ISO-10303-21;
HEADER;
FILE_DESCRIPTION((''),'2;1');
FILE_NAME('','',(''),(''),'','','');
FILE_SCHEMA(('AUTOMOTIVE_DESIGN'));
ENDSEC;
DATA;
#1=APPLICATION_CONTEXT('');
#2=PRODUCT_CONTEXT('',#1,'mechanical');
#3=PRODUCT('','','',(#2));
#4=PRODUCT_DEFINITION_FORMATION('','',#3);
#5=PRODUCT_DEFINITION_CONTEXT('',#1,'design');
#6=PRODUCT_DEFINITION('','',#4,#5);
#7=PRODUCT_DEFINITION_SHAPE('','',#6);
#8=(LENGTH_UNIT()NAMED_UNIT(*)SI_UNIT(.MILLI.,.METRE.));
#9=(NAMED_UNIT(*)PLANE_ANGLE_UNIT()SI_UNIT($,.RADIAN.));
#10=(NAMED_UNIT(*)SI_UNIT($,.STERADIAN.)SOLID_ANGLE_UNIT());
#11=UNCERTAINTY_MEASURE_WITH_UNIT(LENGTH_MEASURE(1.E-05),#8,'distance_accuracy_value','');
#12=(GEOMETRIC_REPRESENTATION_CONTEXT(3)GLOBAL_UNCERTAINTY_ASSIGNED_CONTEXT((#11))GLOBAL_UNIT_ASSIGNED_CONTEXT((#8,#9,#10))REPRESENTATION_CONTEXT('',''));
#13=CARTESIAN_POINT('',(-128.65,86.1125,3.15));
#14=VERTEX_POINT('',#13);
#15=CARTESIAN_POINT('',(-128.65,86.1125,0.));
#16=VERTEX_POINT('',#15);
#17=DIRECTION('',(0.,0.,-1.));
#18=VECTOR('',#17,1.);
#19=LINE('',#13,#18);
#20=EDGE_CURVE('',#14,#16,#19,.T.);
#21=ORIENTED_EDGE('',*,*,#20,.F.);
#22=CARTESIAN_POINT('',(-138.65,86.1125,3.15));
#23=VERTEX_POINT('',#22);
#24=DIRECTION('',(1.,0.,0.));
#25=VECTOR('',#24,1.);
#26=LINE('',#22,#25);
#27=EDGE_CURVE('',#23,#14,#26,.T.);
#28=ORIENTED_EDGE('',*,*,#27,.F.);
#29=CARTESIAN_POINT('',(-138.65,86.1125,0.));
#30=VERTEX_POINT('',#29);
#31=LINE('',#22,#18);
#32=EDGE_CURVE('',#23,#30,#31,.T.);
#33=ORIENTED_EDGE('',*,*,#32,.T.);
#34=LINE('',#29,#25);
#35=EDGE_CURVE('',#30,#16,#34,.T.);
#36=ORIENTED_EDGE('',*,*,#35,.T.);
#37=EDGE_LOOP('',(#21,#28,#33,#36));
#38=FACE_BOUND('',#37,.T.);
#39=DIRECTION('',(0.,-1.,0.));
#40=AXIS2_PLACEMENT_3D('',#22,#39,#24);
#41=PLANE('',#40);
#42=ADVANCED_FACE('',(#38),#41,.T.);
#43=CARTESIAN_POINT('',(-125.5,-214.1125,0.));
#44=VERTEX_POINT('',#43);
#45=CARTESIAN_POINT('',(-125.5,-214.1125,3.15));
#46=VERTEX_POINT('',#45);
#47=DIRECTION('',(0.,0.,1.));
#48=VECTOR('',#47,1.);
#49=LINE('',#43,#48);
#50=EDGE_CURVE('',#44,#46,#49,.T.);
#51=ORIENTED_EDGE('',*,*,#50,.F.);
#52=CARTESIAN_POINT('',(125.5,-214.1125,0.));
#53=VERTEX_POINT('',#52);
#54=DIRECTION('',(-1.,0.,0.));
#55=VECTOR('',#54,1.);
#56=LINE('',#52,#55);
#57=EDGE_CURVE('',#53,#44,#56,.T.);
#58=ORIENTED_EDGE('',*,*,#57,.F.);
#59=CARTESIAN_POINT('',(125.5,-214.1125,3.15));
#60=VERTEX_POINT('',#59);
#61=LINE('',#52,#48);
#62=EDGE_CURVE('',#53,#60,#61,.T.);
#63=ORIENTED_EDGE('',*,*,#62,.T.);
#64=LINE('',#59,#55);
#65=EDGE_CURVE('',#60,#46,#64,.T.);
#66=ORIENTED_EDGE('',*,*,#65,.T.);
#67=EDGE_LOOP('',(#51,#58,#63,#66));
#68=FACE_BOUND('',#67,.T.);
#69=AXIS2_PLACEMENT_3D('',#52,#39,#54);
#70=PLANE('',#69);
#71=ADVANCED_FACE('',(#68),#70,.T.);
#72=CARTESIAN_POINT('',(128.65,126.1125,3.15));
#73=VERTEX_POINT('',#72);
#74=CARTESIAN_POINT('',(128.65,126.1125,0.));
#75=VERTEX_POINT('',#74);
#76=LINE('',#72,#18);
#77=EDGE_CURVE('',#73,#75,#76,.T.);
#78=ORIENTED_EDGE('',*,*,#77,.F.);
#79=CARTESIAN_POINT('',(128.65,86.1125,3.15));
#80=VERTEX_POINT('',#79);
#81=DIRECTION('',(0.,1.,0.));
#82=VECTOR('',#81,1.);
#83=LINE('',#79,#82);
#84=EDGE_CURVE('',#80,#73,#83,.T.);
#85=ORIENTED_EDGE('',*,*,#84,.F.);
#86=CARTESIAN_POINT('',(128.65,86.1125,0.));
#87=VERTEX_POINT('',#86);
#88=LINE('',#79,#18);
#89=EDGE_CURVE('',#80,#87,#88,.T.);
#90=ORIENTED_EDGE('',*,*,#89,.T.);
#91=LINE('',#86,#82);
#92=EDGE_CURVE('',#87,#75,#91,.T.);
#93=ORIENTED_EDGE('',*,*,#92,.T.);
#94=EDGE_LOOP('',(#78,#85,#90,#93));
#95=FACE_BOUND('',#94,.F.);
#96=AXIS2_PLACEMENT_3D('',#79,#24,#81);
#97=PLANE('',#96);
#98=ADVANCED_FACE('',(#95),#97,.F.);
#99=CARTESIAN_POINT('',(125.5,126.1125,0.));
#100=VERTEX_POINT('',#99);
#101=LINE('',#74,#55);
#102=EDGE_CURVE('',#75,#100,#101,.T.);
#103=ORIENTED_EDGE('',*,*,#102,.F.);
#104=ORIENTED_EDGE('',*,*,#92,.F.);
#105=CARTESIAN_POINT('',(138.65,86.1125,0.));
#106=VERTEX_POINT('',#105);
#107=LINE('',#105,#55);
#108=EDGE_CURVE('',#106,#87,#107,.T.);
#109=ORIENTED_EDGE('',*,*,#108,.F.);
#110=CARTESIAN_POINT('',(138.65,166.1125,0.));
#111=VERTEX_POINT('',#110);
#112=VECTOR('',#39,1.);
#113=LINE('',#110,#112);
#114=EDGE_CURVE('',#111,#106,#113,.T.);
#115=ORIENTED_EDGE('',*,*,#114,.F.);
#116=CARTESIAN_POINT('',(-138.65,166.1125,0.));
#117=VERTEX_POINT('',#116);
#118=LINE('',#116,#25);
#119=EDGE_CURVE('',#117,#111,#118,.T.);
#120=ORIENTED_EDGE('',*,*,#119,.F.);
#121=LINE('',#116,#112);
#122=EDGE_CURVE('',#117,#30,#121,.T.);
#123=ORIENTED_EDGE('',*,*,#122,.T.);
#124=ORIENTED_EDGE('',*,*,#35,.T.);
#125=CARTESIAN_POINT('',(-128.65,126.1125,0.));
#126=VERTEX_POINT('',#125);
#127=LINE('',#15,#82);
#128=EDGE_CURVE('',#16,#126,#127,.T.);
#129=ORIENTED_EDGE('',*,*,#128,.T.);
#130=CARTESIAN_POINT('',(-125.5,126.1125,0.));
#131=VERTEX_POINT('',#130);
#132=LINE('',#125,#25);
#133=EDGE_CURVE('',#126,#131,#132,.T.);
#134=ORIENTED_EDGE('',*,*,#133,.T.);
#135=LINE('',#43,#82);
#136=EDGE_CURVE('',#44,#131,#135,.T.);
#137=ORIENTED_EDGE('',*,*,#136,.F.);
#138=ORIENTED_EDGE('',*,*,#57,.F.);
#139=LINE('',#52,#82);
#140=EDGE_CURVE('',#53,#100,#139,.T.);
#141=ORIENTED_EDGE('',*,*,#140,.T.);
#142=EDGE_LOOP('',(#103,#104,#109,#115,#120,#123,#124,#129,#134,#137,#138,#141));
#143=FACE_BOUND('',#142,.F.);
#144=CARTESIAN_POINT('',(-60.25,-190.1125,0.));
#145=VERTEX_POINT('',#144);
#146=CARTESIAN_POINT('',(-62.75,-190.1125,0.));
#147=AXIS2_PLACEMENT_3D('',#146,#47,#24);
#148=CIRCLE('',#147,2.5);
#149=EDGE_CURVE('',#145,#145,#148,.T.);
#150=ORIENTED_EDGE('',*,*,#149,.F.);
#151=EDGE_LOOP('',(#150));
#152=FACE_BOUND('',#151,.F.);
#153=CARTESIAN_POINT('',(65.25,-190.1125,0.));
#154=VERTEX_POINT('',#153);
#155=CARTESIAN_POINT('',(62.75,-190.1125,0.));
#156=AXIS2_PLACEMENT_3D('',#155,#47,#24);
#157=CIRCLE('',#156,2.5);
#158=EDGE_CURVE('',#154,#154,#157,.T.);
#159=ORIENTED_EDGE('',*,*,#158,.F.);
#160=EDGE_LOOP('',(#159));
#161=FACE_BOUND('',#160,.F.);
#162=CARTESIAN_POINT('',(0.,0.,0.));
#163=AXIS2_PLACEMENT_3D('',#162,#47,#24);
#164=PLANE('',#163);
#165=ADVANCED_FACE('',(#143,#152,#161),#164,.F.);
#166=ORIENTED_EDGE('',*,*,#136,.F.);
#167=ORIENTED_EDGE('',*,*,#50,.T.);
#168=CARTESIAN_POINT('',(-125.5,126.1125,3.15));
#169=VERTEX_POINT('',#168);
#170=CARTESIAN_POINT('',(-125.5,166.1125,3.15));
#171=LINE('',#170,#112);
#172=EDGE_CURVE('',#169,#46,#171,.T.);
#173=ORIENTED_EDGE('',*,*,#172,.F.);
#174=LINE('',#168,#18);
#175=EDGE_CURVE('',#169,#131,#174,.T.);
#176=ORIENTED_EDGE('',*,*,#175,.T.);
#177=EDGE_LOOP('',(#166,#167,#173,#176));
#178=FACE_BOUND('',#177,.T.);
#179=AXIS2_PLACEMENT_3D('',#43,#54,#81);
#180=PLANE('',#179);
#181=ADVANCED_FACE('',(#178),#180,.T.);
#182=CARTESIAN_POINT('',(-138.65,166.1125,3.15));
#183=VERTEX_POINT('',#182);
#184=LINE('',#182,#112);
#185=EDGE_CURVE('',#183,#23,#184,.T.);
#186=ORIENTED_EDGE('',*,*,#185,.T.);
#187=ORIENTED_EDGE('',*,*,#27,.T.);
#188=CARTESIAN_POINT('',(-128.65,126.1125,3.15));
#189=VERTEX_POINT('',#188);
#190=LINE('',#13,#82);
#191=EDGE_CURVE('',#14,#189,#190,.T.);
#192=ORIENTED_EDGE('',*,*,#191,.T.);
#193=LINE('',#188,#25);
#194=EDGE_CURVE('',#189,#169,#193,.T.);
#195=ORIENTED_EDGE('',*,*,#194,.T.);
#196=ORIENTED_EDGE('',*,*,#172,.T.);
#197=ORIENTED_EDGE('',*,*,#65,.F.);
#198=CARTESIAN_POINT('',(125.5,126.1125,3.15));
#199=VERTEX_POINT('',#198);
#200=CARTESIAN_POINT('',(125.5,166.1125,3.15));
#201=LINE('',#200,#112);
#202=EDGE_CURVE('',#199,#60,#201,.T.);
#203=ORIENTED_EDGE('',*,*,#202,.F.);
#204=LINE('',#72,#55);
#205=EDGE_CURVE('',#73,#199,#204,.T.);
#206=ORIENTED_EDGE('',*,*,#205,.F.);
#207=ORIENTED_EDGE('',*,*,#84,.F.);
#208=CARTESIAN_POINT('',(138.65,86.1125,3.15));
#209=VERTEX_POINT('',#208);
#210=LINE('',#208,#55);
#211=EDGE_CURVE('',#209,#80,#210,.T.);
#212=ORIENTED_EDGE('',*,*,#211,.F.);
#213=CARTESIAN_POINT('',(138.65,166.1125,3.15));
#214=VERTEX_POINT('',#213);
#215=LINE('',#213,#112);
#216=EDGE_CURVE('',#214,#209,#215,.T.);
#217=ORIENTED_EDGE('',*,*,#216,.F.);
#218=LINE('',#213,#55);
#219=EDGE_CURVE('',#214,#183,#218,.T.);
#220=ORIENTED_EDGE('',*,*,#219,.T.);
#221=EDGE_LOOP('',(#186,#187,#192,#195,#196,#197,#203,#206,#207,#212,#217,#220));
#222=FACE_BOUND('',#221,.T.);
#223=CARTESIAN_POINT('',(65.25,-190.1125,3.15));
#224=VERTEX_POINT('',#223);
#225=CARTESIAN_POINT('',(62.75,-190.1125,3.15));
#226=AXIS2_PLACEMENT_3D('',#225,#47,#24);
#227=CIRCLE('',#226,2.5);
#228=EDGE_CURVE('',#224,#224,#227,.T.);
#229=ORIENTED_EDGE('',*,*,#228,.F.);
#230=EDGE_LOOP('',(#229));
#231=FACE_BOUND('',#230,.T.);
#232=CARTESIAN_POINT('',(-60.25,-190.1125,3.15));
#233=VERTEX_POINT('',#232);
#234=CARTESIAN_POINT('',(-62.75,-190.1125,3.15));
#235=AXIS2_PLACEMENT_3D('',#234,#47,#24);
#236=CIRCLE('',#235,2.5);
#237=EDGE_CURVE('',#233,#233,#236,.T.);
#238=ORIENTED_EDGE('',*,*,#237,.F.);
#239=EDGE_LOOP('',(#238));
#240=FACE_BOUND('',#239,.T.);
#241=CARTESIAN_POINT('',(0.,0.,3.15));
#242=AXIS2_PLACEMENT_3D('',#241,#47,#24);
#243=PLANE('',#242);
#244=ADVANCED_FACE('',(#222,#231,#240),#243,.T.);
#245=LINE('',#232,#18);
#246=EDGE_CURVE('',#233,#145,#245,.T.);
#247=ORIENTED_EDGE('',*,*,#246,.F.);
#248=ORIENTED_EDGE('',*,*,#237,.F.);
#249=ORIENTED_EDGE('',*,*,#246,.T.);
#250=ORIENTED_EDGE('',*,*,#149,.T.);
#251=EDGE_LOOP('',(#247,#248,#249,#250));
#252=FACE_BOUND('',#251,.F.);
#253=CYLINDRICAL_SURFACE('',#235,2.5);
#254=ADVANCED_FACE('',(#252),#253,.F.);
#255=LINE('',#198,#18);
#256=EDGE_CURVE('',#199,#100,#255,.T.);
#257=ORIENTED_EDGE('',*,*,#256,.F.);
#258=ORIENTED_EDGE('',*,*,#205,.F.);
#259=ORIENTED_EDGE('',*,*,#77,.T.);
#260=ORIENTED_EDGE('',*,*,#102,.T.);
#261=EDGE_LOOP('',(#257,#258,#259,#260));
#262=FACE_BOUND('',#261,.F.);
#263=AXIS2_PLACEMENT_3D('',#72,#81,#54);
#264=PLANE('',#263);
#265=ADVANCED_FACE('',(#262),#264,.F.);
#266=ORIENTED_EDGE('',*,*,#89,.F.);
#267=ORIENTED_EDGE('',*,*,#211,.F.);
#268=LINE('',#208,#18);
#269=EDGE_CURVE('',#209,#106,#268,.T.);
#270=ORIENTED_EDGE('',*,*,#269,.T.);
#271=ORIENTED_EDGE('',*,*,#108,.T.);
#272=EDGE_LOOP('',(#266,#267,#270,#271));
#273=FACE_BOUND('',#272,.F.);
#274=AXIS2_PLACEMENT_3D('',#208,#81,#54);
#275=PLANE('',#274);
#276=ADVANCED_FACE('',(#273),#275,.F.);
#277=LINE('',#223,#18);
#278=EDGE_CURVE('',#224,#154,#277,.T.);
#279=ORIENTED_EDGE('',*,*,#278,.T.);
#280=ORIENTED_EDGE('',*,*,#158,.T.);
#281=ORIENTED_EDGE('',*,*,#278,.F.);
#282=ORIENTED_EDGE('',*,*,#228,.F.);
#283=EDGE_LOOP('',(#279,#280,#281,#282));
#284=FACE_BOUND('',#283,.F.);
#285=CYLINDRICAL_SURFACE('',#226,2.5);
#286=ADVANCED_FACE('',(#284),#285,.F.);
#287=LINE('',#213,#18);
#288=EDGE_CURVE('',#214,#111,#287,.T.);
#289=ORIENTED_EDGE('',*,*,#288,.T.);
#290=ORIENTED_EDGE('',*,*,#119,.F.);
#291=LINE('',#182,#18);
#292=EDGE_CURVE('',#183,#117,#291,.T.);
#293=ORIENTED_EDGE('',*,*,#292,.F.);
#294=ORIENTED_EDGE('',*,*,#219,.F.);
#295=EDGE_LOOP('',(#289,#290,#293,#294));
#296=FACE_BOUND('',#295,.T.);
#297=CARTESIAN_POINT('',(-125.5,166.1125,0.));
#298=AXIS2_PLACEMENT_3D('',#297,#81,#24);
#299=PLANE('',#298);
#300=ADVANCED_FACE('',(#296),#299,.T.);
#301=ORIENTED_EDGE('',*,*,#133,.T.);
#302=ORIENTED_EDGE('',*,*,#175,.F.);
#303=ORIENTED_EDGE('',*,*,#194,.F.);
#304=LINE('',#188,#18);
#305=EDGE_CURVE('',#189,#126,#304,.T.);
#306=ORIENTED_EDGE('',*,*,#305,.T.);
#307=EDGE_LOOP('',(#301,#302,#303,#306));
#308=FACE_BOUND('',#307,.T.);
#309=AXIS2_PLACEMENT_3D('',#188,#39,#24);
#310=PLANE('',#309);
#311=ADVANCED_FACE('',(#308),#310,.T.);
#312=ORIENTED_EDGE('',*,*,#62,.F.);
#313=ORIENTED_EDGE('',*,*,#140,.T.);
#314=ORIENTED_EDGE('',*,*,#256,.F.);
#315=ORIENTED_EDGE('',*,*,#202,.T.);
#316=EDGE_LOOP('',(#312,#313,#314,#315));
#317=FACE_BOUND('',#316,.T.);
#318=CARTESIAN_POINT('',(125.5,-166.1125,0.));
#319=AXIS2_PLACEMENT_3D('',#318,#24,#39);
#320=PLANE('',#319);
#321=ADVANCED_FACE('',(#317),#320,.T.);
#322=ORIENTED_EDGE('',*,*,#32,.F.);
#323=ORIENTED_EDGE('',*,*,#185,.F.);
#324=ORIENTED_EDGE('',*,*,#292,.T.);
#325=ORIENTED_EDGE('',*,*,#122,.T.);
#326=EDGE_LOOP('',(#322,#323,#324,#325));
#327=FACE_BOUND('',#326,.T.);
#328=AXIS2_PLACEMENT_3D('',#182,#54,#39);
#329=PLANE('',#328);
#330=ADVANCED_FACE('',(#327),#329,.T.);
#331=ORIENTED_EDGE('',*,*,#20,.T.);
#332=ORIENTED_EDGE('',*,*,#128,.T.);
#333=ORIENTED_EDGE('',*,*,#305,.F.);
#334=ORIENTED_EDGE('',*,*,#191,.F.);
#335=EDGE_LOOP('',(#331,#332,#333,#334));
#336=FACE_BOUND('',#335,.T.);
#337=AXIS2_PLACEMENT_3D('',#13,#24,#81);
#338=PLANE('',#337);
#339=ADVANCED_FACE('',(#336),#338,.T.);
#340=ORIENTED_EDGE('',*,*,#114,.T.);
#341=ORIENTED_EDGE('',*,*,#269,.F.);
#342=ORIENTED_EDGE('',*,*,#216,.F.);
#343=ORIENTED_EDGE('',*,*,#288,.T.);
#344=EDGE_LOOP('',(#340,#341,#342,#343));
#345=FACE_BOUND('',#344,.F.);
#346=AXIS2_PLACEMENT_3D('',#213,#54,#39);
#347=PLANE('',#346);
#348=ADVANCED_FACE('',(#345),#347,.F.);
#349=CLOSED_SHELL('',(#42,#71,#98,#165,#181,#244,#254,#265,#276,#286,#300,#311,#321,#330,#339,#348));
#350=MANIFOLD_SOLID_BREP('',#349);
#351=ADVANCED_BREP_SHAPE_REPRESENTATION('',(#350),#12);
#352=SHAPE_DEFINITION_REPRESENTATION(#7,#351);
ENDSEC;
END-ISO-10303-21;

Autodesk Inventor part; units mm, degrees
ref_plane "YZ Plane" through (0, 0, 0) normal (1, 0, 0) x (0, 1, 0)
ref_plane "XZ Plane" through (0, 0, 0) normal (0, 1, 0) x (-1, 0, 0)
ref_plane "XY Plane" through (0, 0, 0) normal (0, 0, 1) x (1, 0, 0)
sketch "Sketch1" plane through (0, 0, 0) normal (0, 0, 1) x (1, 0, 0)
  line L0 (125.5, -166.1125) -> (-125.5, -166.1125)
  line L1 (-125.5, -166.1125) -> (-125.5, 166.1125)
  line L2 (-125.5, 166.1125) -> (125.5, 166.1125)
  line L3 (125.5, 166.1125) -> (125.5, -166.1125)
  line L4 (125.5, -166.1125) -> (-125.5, 166.1125) construction
  line L5 (-125.5, -166.1125) -> (125.5, 166.1125) construction
  line L6 (-125.5, -166.1125) -> (125.5, -166.1125)
  line L7 (125.5, -166.1125) -> (125.5, -214.1125)
  line L8 (125.5, -214.1125) -> (-125.5, -214.1125)
  line L9 (-125.5, -214.1125) -> (-125.5, -166.1125)
  point P0 (0, 0)
  dimension "d0" = 251
  dimension "d1" = 332.225
  dimension "d4" = 48
  dimension "d5" = 0
  dimension "d6" = 0
extrude "Extrusion1" add sketch "Sketch1" along normal blind 3.15
sketch "Sketch2" plane through (0, 0, 3.15) normal (0, 0, 1) x (1, 0, 0)
  line L0 (125.5, 166.1125) -> (-125.5, 166.1125) projected
  line L1 (-125.5, 166.1125) -> (-138.65, 166.1125)
  line L2 (-138.65, 166.1125) -> (-138.65, 86.1125)
  line L3 (-138.65, 86.1125) -> (-125.5, 86.1125)
  line L4 (-125.5, 86.1125) -> (-125.5, 166.1125)
  line L5 (-125.5, 86.1125) -> (-128.65, 86.1125)
  line L6 (-128.65, 86.1125) -> (-128.65, 126.1125)
  line L7 (-128.65, 126.1125) -> (-125.5, 126.1125)
  line L8 (-125.5, 126.1125) -> (-125.5, 86.1125)
  line L9 (0, 166.1125) -> (0, 0)
  line L10 (125.5, 166.1125) -> (138.65, 166.1125)
  line L11 (138.65, 166.1125) -> (138.65, 86.1125)
  line L12 (138.65, 86.1125) -> (125.5, 86.1125)
  line L13 (125.5, 86.1125) -> (125.5, 166.1125)
  line L14 (125.5, 86.1125) -> (128.65, 86.1125)
  line L15 (128.65, 86.1125) -> (128.65, 126.1125)
  line L16 (128.65, 126.1125) -> (125.5, 126.1125)
  line L17 (125.5, 126.1125) -> (125.5, 86.1125)
  dimension "d7" = 80
  dimension "d8" = 13.15
  dimension "d9" = 3.15
  dimension "d10" = 40
extrude "Extrusion2" add sketch "Sketch2" against normal blind 3.15 contours L4 L7 L6 L3 L2 L1 | L10 L11 L12 L15 L16 L13
sketch "Sketch3" plane through (0, 0, 3.15) normal (0, 0, 1) x (1, 0, 0)
  line L0 (-125.5, -214.1125) -> (125.5, -214.1125) projected
  circle A0 centre (-62.75, -190.1125) radius 2.5
  line L1 (0, 0) -> (0, -214.1125)
  circle A1 centre (62.75, -190.1125) radius 2.5
  dimension "d13" = 5
  dimension "d14" = 24
  dimension "d15" = 62.75
extrude "Extrusion3" cut sketch "Sketch3" against normal blind 10
equation "\"d0\" = door_x"
equation "\"d1\" = door_z"
equation "\"d4\" = door_overlap"
equation "\"d2\" = clear_acrylic"
equation "\"d7\" = protection_slot_length"
equation "\"d8\" = protection_slot_width + clear_acrylic"
equation "\"d9\" = clear_acrylic"
equation "\"d10\" = 0.5 * protection_slot_length"
equation "\"d11\" = clear_acrylic"
equation "\"d13\" = m5_diameter"
equation "\"d14\" = 0.5 * door_overlap"
equation "\"d15\" = 0.25 * tray_x"
equation "\"sm_thickness\" = 1.5875"
equation "\"very_thick_acrylic\" = 9.45"
equation "\"thick_acrylic\" = 5.88"
equation "\"thin_acrylic\" = 3.15"
equation "\"clear_acrylic\" = 3.15"
equation "\"wood_thickness\" = 6.72"
equation "\"m3_diameter\" = 3"
equation "\"m4_diameter\" = 4"
equation "\"m5_diameter\" = 5"
equation "\"brass_insert_drill\" = 4"
equation "\"m5_brass_insert_drill\" = 6.7"
equation "\"m3_main_length\" = 14"
equation "\"m3_main_nut_width\" = 5.7"
equation "\"m3_main_nut_thickness\" = 2.5"
equation "\"m3_main_extra\" = 1"
equation "\"stepper_screw_space\" = 35"
equation "\"stepper_shaft_diameter\" = 5"
equation "\"stepper_body_diameter\" = 28"
equation "\"laser_body_diameter\" = 12"
equation "\"carrier_y\" = 251"
equation "\"carrier_z\" = 12"
equation "\"visor_x\" = 253.925"
equation "\"visor_y\" = 85.6"
equation "\"protection_slot\" = 44.2"
equation "\"protection_slot_offset\" = 55.25"
equation "\"protection_slot_length\" = 80"
equation "\"window_z\" = 332.225"
equation "\"window_y\" = 93.75"
equation "\"window_overlap\" = 48"
equation "\"door_x\" = 251"
equation "\"door_z\" = 332.225"
equation "\"door_sensor\" = 35"
equation "\"reservoir_x\" = 201"
equation "\"reservoir_y\" = 201"
equation "\"linear_bearing_spacing\" = 271"
equation "\"motor_spacing\" = 337"
equation "\"tray_border\" = 25"
equation "\"tray_x\" = 251"
equation "\"tray_y\" = 251"
equation "\"bed_z\" = 25"
equation "\"crane_z2\" = 12"
equation "\"end_stop_spacing\" = 19"
equation "\"door_overlap\" = 48"
equation "\"acrylic_into_frame\" = 5"
equation "\"protection_slot_width\" = 10"
equation "\"frame_top_z\" = 385"
equation "\"nema17_x\" = 43"
equation "\"drawer_z_from_bottom\" = 25"
equation "\"laser_diameter\" = 12"
equation "\"t_galvo_frame\" = 6.72"
equation "\"laser_z\" = 75"
equation "\"drawer_y\" = 90.3375"
equation "\"laser_y\" = 15"
equation "\"subframe_x\" = 66"
equation "\"galvo_frame_z\" = 85"
equation "\"subframe_y_offset\" = 27.5"
equation "\"drawer_x\" = 257.3"
equation "\"printer_z\" = 289"
equation "\"lcd_x\" = 72"
equation "\"frame_tilt\" = 1deg"
equation "\"frame_foot_z\" = 12"
equation "\"frame_border\" = 48.0375"
equation "\"frame_bottom_z\" = 275"
equation "\"z_min_from_center\" = 115"
equation "\"thumb_nut_diameter\" = 7"
equation "\"laser_z_offset\" = 55"
equation "\"laser_y_offset\" = 19.4"
equation "\"thumb_nut_offset_y\" = 0"
equation "\"galvo_frame_y_offset\" = 27.5"
equation "\"frame_total_z\" = 661.5875"
equation "\"galvo_frame_x\" = 66"
equation "\"drawer_z\" = 278.175"
equation "\"lcd_y\" = 25"
equation "\"m3_press_nut_drill\" = 4.5"
equation "\"m3_head\" = 6"
equation "\"m5_head\" = 10.3"
equation "\"m5_press_nut_drill\" = 6.5"
equation "\"drawer_support_from_top\" = 48"
equation "\"laser_gap\" = 1"
equation "\"frame_screw_from_center\" = 25"
equation "\"drawer_screw_from_center\" = 55"
equation "\"frame_face_y\" = 45"
equation "\"switch_spacing\" = 19"
equation "\"subframe_y\" = 55"
equation "\"al_thickness\" = 1.5875"
equation "\"rivet_diameter\" = 3.3"
equation "\"bend_factor\" = 2.26205"
equation "\"al_bend\" = 3.591"
equation "\"sm_bend\" = 3.591"
equation "\"frame_x\" = 353.375"
equation "\"carrier_z2\" = 25"
equation "\"carrier_y2\" = 76.825"
properties part number "door"
